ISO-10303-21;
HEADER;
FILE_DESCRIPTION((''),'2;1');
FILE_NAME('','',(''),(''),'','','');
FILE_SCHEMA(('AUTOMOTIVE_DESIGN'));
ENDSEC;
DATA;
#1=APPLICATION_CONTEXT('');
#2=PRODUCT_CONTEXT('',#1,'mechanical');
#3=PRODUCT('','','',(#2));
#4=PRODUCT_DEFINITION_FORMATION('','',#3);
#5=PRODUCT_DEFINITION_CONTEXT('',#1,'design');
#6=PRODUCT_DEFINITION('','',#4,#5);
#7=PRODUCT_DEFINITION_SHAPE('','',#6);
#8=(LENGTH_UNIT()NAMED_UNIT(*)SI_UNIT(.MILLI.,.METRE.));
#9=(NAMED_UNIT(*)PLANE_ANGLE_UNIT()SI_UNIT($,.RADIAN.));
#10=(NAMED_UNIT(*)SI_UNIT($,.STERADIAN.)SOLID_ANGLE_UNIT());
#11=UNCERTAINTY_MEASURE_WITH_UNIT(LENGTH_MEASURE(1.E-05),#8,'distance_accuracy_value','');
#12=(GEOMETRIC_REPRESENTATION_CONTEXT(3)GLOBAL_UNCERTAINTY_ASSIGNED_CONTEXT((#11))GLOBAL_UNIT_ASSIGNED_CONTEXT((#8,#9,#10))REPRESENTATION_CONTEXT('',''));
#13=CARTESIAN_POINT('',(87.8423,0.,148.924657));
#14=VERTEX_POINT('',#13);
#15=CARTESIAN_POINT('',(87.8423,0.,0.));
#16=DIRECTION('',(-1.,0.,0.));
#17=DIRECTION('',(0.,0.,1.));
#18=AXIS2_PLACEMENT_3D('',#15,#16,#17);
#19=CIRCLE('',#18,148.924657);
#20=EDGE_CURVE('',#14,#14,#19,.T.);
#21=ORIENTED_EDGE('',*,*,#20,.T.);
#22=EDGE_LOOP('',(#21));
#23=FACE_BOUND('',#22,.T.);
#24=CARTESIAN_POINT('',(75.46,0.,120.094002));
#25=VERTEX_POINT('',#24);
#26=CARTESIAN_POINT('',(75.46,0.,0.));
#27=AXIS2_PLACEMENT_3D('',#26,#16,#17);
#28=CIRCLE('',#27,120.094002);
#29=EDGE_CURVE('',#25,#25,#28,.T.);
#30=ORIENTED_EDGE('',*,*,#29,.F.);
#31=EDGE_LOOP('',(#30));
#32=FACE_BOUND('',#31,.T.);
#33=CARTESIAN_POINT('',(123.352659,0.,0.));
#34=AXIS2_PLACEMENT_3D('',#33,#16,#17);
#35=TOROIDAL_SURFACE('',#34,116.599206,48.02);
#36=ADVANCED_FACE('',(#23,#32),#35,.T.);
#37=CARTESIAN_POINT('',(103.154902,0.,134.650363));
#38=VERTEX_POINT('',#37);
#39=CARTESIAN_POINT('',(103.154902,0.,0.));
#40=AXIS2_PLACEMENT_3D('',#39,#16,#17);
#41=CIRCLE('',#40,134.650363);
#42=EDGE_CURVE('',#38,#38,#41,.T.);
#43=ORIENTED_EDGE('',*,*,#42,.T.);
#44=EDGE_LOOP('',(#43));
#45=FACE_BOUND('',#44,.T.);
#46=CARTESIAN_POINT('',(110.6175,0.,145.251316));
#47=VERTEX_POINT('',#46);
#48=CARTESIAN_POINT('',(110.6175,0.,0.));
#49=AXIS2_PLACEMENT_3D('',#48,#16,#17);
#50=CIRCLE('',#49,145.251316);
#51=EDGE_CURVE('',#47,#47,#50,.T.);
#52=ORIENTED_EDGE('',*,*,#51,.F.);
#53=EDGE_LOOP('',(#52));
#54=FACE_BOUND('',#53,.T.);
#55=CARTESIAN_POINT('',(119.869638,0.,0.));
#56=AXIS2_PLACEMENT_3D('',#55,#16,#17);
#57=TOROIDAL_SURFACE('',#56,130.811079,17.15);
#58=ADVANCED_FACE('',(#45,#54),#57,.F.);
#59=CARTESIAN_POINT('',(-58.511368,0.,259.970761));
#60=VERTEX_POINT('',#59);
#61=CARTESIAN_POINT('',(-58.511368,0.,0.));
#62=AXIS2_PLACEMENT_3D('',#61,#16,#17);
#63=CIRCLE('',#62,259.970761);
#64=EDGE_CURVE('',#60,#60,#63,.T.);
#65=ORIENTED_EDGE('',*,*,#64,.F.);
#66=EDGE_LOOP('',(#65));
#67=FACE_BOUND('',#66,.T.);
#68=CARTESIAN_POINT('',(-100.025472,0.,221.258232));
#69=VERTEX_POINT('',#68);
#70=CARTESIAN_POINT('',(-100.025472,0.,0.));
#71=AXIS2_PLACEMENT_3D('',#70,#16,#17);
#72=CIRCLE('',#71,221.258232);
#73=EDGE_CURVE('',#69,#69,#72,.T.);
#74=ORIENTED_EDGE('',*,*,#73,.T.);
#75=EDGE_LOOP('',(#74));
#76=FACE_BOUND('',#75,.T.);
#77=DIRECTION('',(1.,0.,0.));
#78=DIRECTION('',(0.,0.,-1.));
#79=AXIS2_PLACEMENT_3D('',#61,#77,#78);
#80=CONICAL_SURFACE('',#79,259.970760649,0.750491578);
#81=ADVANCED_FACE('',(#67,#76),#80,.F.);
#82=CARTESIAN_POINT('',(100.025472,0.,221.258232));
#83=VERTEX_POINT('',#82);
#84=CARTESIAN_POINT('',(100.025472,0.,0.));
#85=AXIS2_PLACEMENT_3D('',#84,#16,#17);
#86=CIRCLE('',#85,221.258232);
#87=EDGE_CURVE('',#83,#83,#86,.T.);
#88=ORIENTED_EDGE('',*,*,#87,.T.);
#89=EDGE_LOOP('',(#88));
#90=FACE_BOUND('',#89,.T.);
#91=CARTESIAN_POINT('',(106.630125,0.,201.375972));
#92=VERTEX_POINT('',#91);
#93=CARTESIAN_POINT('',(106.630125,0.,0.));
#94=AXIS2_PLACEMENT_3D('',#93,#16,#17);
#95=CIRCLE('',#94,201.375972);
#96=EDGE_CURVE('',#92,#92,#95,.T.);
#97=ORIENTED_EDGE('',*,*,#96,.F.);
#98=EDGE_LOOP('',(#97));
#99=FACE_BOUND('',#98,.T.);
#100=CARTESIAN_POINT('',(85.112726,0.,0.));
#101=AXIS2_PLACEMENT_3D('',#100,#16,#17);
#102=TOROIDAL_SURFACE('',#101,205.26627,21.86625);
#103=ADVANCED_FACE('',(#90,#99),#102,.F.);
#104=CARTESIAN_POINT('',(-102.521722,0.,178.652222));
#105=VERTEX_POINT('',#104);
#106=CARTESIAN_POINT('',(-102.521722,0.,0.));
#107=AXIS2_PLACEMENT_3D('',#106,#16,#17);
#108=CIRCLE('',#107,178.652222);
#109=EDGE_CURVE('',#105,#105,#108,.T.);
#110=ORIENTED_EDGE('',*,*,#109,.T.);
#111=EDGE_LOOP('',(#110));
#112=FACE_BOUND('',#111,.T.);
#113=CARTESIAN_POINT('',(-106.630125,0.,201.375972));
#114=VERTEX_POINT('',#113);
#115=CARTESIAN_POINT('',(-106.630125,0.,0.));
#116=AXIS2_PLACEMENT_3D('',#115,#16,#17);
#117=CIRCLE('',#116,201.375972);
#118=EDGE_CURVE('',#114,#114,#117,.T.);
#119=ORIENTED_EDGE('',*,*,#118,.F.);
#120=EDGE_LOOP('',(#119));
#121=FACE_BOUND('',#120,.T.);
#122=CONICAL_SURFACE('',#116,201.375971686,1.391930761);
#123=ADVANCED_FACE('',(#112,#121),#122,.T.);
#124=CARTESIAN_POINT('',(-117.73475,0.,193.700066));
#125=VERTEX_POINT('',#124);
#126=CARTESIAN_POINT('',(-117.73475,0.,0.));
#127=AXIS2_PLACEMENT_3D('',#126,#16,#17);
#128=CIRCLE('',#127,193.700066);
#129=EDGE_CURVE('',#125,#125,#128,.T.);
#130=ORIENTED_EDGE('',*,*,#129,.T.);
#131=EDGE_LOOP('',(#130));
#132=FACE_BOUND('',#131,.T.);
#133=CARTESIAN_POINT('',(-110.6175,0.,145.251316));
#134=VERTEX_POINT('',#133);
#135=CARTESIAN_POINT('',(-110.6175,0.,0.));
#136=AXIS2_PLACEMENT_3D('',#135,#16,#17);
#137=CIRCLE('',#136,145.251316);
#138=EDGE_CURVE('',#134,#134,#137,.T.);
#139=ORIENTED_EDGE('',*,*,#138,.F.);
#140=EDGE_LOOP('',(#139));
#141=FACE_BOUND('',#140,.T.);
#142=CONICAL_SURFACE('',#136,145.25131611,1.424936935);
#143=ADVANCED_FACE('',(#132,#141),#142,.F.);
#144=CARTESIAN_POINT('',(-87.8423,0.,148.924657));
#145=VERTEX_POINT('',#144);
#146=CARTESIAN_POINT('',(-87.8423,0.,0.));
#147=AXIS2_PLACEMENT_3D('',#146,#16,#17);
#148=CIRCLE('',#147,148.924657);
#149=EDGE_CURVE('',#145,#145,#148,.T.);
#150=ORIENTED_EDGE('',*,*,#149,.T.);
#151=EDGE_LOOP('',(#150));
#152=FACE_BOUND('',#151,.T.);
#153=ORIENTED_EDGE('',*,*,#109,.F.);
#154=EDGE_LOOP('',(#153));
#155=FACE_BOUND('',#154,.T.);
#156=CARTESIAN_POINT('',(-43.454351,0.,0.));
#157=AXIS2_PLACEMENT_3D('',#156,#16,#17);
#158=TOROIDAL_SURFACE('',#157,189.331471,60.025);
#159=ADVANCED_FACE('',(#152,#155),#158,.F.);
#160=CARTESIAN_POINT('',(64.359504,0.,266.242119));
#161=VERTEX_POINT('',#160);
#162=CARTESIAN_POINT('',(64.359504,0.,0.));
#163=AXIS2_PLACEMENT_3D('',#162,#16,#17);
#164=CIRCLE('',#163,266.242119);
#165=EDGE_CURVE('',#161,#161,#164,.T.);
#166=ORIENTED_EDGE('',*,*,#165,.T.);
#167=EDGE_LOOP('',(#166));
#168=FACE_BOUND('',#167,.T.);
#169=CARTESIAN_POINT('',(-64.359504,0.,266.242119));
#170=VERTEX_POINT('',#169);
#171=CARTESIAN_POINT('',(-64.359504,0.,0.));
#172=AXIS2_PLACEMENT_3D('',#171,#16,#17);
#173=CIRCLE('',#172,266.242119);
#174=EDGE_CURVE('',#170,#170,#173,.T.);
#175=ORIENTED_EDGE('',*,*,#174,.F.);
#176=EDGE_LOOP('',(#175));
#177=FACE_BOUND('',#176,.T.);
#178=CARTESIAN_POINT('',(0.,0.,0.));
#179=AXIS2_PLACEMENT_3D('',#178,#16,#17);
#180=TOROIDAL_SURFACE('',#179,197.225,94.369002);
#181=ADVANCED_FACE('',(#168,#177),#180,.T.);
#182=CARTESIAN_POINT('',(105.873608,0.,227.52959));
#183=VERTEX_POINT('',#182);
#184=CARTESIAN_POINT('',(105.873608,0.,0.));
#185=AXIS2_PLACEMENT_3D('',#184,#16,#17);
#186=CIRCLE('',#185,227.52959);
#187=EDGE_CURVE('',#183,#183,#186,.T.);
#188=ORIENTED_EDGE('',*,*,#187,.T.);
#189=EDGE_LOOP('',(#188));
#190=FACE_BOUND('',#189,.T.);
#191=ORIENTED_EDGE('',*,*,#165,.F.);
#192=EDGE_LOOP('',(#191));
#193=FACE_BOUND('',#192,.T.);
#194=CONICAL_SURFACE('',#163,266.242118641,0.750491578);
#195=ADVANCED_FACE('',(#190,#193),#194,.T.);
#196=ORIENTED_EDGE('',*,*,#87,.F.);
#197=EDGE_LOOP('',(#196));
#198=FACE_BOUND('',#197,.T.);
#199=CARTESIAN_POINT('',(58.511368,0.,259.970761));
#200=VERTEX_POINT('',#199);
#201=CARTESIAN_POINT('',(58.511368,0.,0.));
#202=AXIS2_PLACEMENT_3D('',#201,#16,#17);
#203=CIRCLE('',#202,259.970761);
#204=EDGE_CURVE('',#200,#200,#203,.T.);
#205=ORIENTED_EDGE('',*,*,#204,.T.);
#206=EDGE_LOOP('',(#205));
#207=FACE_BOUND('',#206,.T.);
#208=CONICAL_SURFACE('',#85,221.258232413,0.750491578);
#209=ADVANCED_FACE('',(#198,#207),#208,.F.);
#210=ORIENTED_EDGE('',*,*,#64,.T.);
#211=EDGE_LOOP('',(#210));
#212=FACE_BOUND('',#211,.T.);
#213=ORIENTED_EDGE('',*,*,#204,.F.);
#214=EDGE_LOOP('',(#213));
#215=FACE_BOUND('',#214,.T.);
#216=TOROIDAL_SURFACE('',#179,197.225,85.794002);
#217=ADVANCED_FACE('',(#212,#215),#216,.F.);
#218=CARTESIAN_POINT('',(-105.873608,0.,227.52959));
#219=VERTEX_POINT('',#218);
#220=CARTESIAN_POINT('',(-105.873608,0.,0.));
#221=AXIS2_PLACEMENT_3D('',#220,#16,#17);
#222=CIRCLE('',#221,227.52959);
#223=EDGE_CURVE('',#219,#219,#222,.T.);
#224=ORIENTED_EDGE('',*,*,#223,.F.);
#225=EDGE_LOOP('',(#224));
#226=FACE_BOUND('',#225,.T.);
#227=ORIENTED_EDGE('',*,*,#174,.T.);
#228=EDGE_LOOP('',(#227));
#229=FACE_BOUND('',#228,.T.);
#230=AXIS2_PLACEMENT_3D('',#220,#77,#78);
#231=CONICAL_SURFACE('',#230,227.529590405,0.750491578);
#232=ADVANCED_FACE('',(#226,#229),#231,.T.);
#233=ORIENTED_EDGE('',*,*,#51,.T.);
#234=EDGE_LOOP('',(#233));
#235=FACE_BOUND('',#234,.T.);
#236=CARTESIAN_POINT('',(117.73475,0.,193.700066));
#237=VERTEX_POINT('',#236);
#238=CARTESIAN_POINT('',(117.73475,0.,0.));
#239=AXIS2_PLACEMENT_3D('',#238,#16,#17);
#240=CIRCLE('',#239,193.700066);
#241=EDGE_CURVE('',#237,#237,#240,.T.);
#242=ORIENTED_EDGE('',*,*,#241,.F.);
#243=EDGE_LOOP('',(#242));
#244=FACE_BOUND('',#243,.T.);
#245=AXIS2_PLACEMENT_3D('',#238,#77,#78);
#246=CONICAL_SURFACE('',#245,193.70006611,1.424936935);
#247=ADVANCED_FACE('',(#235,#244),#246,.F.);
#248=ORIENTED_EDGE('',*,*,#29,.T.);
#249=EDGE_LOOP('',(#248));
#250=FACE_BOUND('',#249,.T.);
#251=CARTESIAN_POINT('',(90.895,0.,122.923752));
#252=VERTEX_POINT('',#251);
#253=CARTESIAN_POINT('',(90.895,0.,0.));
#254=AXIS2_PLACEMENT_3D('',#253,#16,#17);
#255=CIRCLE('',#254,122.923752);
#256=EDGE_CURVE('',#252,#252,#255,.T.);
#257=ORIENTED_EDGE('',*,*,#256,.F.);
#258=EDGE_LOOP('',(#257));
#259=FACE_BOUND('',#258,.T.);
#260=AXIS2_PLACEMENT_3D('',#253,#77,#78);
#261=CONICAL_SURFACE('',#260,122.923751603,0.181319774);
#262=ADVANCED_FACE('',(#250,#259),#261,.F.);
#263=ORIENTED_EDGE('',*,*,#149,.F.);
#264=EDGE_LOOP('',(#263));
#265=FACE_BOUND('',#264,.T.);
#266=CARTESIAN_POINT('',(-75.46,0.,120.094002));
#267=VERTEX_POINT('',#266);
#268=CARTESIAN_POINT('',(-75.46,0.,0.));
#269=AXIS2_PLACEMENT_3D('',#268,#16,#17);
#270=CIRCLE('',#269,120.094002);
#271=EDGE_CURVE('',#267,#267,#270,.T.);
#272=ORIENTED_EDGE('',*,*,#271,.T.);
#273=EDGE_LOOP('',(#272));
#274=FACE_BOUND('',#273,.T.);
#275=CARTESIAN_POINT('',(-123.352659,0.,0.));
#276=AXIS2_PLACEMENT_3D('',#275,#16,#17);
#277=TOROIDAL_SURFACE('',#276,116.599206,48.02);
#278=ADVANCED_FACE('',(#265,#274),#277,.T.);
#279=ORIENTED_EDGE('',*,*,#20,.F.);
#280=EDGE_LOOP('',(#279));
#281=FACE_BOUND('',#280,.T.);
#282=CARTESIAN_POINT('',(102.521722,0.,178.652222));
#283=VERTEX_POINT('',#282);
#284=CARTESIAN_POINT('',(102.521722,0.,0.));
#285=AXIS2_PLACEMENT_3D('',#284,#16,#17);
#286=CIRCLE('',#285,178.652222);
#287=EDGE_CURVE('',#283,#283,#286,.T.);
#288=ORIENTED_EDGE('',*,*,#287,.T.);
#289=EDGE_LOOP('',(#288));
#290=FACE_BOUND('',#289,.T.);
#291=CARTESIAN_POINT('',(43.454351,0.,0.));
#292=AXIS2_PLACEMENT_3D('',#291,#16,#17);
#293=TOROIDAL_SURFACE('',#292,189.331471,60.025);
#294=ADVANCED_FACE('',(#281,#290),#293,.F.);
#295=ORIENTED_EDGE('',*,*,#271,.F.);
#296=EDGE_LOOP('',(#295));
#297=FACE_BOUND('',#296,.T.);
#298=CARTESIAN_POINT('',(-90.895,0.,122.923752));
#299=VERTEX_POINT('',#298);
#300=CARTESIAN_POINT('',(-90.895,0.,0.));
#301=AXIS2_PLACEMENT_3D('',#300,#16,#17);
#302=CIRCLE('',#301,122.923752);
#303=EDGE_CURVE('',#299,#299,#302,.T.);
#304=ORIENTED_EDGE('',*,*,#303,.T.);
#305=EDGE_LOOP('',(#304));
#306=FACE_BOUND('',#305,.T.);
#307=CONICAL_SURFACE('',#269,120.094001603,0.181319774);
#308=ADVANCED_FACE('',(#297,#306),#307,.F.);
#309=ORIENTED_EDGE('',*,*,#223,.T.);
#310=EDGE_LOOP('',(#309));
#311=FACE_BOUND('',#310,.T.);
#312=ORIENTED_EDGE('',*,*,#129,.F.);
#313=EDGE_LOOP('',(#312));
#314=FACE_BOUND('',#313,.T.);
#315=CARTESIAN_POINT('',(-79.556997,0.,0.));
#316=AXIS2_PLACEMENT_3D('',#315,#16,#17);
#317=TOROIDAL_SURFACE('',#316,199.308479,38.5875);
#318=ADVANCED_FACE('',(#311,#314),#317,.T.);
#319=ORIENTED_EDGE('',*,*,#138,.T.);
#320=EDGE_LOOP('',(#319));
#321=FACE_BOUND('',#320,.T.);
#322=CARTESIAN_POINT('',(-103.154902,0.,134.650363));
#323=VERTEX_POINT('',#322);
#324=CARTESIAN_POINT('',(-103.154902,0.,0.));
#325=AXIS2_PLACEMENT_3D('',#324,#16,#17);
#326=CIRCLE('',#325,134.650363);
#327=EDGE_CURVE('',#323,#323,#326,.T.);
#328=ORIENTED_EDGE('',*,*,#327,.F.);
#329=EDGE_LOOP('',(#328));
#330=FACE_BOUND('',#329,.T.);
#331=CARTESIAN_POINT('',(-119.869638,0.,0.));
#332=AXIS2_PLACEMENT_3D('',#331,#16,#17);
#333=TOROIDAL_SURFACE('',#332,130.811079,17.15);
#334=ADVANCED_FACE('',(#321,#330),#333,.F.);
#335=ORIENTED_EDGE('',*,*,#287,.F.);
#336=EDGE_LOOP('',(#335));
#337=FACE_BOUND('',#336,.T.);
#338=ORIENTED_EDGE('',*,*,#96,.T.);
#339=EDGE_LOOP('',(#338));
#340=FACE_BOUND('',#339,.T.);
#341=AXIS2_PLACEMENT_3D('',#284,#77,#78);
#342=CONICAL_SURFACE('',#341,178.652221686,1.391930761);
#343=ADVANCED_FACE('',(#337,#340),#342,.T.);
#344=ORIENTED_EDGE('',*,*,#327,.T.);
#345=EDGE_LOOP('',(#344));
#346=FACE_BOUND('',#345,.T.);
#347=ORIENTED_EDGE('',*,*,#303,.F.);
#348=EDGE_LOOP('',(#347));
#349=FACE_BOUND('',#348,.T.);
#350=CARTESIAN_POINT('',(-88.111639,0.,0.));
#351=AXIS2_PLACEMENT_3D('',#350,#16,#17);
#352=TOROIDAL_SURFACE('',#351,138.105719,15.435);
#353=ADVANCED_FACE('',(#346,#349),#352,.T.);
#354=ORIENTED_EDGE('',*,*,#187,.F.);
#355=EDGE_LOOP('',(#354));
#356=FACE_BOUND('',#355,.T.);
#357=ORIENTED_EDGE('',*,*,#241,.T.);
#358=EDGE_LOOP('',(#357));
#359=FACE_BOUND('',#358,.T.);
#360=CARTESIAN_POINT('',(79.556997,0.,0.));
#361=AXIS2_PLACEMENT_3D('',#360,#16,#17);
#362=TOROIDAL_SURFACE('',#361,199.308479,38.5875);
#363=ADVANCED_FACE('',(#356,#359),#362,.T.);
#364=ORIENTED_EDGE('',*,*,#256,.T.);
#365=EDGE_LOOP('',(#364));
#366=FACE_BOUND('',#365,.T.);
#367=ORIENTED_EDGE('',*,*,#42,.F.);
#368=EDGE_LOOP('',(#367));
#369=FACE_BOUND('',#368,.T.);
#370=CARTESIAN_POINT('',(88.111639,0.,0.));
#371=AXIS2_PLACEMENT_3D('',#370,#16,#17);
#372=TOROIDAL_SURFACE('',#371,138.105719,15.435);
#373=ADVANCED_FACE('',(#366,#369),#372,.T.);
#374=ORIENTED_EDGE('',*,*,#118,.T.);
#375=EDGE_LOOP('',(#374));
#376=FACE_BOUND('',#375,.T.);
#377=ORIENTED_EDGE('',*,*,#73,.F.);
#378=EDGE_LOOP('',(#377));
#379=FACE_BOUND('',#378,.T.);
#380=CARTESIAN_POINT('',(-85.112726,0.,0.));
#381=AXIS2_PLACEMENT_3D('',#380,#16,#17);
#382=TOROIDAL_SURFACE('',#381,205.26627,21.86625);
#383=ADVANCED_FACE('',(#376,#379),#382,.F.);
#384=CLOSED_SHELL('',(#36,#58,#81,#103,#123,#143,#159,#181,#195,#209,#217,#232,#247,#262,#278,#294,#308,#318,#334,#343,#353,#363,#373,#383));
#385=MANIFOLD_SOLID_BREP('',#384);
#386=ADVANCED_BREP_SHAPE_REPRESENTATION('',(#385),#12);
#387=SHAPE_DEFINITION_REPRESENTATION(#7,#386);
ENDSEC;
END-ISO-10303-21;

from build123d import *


with BuildPart() as part:
    # Sketch3 → Revolve2 (revolve)
    with BuildSketch(Plane(origin=(0, 0, 0), x_dir=(1, 0, 0), z_dir=(0, 1, 0))):
        with BuildLine():
            Line((-64.359504334, -266.242118641), (-105.8736083, -227.529590405))
            ThreePointArc((-105.8736083, -227.529590405), (-115.971141664, -212.075828194), (-117.73475, -193.70006611))
            Line((-117.73475, -193.70006611), (-110.6175, -145.25131611))
            ThreePointArc((-110.6175, -145.25131611), (-105.845919074, -140.683151583), (-103.154901682, -134.650363084))
            ThreePointArc((-103.154901682, -134.650363084), (-98.780541633, -126.951627685), (-90.895, -122.923751603))
            Line((-90.895, -122.923751603), (-75.46, -120.094001603))
            ThreePointArc((-75.46, -120.094001603), (-79.229903863, -135.549215216), (-87.8423, -148.924656731))
            ThreePointArc((-87.8423, -148.924656731), (-97.275191012, -162.754830344), (-102.521721628, -178.652221686))
            Line((-102.521721628, -178.652221686), (-106.630125, -201.375971686))
            ThreePointArc((-106.630125, -201.375971686), (-105.863989679, -212.159594802), (-100.025472362, -221.258232413))
            Line((-100.025472362, -221.258232413), (-58.511368397, -259.970760649))
            ThreePointArc((-58.511368397, -259.970760649), (0, -283.019001603), (58.511368397, -259.970760649))
            Line((58.511368397, -259.970760649), (100.025472362, -221.258232413))
            ThreePointArc((100.025472362, -221.258232413), (105.863989679, -212.159594802), (106.630125, -201.375971686))
            Line((106.630125, -201.375971686), (102.521721628, -178.652221686))
            ThreePointArc((102.521721628, -178.652221686), (97.275191012, -162.754830344), (87.8423, -148.924656731))
            ThreePointArc((87.8423, -148.924656731), (79.229903863, -135.549215216), (75.46, -120.094001603))
            Line((75.46, -120.094001603), (90.895, -122.923751603))
            ThreePointArc((90.895, -122.923751603), (98.780541633, -126.951627685), (103.154901682, -134.650363084))
            ThreePointArc((103.154901682, -134.650363084), (105.845919074, -140.683151583), (110.6175, -145.25131611))
            Line((110.6175, -145.25131611), (117.73475, -193.70006611))
            ThreePointArc((117.73475, -193.70006611), (115.971141664, -212.075828194), (105.8736083, -227.529590405))
            Line((105.8736083, -227.529590405), (64.359504334, -266.242118641))
            ThreePointArc((64.359504334, -266.242118641), (0, -291.594001603), (-64.359504334, -266.242118641))
        make_face()
    revolve(axis=Axis((0, 0, 0), (1, 0, 0)))


solid = part.part
